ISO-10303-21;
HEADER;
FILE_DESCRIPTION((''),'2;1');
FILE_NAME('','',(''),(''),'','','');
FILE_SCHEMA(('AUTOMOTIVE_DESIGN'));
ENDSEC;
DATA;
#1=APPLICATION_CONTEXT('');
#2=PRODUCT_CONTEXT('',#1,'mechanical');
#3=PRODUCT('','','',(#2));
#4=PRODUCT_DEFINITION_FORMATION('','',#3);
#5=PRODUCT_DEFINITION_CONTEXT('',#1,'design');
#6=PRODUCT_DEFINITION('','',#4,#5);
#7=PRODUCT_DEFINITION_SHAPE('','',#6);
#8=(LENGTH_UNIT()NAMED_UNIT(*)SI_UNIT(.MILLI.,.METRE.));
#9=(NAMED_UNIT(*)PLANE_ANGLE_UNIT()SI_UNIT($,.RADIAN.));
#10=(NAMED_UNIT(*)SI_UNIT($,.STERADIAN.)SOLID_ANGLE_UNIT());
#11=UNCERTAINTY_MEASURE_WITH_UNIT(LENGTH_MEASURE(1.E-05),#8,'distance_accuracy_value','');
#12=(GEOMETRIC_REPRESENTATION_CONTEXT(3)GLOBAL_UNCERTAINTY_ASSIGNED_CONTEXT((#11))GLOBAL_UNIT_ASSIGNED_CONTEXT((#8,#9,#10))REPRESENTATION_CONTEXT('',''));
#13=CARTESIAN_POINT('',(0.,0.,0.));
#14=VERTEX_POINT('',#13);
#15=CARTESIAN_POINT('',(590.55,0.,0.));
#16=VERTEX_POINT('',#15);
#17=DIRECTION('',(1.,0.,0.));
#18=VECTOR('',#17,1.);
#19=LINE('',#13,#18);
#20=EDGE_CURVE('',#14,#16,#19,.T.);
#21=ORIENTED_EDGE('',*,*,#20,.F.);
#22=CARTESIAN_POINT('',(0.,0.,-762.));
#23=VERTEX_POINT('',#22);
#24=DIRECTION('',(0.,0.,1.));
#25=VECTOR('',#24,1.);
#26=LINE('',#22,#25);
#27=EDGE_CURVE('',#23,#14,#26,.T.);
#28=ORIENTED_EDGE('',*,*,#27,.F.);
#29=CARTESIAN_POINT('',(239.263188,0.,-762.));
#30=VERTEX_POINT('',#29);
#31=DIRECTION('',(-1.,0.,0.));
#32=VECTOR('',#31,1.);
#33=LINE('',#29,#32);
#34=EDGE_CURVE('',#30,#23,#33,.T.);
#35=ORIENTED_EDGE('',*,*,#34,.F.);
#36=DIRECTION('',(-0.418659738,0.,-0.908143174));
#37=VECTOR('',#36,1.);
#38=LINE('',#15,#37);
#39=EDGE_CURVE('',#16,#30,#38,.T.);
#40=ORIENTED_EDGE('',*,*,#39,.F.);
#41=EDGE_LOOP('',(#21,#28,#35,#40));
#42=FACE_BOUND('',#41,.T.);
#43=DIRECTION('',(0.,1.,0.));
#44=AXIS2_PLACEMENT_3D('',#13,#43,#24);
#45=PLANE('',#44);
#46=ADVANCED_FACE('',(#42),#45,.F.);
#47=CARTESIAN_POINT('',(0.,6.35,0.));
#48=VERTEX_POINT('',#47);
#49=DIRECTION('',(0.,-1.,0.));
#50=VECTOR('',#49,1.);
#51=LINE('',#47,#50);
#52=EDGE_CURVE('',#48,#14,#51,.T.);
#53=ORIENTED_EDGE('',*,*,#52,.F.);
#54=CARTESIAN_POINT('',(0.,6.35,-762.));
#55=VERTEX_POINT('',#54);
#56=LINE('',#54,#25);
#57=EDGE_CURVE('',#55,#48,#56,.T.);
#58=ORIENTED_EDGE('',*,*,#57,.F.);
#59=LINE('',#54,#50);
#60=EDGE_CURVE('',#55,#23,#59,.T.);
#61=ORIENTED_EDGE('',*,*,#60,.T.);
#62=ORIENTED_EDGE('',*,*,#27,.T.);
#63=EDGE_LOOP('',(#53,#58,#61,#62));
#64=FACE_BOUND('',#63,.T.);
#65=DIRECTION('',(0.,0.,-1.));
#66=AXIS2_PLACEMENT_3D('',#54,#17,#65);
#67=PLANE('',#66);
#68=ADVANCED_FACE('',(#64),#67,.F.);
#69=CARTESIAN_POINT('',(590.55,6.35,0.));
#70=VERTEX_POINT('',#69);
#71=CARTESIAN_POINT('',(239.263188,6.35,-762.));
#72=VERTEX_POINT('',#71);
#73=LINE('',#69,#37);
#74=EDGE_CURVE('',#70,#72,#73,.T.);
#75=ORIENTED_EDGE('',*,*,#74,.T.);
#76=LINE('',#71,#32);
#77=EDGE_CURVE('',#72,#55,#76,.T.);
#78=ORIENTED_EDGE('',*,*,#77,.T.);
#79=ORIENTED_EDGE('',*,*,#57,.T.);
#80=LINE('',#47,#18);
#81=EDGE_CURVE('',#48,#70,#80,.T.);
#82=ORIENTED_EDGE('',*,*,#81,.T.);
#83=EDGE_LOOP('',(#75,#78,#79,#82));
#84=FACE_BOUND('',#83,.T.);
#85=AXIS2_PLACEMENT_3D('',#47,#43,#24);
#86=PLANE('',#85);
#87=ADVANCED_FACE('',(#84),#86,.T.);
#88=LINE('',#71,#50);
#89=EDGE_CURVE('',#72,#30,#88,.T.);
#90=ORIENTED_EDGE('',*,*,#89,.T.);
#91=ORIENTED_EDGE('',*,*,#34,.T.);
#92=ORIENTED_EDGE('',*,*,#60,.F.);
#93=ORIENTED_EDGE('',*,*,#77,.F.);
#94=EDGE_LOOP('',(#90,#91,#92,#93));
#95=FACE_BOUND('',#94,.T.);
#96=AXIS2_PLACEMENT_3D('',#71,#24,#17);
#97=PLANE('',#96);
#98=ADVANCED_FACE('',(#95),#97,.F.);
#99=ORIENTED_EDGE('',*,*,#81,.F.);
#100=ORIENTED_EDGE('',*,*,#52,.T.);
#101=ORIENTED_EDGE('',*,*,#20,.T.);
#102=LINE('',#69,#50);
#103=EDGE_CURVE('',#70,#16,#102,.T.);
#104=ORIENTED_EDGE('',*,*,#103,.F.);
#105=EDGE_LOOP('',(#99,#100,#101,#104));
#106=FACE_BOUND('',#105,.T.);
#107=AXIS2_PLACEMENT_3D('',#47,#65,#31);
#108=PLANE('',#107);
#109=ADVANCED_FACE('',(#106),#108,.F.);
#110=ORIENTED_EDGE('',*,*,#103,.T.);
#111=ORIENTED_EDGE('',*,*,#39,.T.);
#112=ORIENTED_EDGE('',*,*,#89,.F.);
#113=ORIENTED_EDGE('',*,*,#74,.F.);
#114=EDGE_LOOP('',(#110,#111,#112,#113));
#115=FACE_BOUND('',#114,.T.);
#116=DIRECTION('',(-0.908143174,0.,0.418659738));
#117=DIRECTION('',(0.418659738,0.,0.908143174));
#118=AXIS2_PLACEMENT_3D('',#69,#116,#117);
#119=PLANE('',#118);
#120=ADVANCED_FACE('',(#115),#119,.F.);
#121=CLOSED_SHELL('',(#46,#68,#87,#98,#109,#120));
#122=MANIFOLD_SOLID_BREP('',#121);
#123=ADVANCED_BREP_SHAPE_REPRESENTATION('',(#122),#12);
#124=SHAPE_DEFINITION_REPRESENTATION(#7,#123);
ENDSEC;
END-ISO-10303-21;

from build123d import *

# Parameters (mm, degrees)
BOSS_EXTRUDE1_DEPTH = 6.35


with BuildPart() as part:
    # Sketch1 → Boss-Extrude1 (new body)
    with BuildSketch(Plane(origin=(0, 0, 0), x_dir=(1, 0, 0), z_dir=(0, 1, 0))):
        Polygon((0, 0), (590.55, 0), (239.263188406, 762), (0, 762), align=None)
    extrude(amount=BOSS_EXTRUDE1_DEPTH)


solid = part.part
